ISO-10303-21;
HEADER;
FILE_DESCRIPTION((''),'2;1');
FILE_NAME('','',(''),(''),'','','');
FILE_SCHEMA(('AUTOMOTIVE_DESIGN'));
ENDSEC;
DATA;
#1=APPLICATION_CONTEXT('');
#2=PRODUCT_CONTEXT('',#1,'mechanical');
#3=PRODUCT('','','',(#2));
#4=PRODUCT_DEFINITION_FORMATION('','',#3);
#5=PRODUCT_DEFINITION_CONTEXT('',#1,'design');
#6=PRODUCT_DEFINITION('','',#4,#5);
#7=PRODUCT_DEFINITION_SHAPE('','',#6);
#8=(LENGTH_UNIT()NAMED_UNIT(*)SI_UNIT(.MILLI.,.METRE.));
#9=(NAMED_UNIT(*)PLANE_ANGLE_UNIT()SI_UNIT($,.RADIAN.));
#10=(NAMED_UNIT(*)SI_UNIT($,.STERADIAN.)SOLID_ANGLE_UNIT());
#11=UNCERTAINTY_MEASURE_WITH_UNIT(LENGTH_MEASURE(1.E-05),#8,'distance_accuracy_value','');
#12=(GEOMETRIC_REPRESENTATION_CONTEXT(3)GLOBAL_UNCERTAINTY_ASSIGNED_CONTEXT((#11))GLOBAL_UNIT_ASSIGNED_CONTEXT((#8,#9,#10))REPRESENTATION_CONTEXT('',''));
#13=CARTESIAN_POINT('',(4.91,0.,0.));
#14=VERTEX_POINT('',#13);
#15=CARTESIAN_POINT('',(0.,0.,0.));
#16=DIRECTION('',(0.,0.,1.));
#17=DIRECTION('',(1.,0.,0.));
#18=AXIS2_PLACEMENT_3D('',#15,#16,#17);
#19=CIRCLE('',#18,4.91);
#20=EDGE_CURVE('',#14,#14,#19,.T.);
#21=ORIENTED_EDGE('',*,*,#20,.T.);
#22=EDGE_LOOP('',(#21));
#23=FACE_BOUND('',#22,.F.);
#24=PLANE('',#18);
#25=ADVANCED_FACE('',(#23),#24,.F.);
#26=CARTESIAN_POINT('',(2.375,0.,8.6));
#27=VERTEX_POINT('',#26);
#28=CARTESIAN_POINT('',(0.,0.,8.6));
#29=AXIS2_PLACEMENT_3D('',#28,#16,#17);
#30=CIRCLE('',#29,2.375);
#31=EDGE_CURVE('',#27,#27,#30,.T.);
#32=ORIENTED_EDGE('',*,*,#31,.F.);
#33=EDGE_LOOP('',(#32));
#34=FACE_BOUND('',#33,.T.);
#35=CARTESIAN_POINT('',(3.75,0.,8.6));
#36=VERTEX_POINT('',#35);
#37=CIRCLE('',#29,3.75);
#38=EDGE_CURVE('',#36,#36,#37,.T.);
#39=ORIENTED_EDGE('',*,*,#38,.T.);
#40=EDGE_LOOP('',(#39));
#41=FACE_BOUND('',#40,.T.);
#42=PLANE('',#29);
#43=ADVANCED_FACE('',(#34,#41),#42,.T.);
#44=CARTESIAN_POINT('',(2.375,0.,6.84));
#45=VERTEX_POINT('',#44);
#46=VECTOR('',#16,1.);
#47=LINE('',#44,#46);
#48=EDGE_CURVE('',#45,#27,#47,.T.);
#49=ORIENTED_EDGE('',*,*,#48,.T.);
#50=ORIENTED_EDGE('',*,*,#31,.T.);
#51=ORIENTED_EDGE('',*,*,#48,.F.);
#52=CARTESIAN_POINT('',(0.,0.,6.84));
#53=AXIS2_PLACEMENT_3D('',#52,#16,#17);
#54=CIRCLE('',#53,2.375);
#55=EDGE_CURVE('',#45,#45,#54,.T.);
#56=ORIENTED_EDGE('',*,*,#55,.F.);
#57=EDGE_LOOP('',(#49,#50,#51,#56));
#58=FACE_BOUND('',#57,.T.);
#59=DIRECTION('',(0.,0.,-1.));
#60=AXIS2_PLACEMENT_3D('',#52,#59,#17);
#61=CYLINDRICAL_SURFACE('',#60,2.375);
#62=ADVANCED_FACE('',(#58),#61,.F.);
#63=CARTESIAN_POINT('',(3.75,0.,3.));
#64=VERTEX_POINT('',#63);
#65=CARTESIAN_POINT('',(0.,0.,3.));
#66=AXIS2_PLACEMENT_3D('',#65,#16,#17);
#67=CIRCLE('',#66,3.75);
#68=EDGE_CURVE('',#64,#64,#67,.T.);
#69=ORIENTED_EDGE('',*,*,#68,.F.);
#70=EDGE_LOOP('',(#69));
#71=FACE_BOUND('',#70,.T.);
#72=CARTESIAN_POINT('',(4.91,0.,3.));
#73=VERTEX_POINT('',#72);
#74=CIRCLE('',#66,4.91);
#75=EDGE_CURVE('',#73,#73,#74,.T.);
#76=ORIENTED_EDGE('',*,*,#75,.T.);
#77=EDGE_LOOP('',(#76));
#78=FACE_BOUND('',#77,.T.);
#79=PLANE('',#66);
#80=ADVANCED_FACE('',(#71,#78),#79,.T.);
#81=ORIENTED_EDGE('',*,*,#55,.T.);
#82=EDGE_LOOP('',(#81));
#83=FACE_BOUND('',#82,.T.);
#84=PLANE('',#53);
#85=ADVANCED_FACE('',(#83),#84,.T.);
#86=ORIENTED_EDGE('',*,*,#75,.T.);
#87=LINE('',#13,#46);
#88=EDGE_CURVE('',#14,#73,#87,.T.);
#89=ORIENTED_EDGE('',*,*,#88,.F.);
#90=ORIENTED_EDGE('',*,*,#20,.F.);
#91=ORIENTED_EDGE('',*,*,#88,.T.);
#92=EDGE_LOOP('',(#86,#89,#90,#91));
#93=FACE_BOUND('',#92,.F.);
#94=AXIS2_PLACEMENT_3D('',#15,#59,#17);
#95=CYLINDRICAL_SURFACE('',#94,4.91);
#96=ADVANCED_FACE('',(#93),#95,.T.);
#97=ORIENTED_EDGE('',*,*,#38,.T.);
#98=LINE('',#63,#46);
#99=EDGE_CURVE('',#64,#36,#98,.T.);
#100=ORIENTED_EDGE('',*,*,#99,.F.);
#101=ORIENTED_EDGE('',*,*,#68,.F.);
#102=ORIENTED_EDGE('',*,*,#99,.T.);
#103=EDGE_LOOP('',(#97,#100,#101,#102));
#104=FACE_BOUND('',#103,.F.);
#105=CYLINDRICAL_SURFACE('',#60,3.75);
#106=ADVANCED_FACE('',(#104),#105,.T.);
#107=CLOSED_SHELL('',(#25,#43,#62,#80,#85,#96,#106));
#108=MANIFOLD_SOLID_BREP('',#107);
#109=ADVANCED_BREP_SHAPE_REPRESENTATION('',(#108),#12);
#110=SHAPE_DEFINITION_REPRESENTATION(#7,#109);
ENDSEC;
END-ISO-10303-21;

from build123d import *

# Parameters (mm, degrees)
SKETCH1_R           = 4.91
BOSS_EXTRUDE1_DEPTH = 3
SKETCH4_R           = 3.75
BOSS_EXTRUDE3_DEPTH = 3.84
SKETCH2_R           = 3.75
SKETCH2_R_2         = 2.375
BOSS_EXTRUDE2_DEPTH = 1.76


with BuildPart() as part:
    # Sketch1 → Boss-Extrude1 (new body)
    with BuildSketch(Plane.XY):
        Circle(SKETCH1_R)
    extrude(amount=BOSS_EXTRUDE1_DEPTH)

    # Sketch4 → Boss-Extrude3 (add)
    with BuildSketch(Plane.XY.offset(3)):
        Circle(SKETCH4_R)
    extrude(amount=BOSS_EXTRUDE3_DEPTH)

    # Sketch2 → Boss-Extrude2 (add)
    with BuildSketch(Plane.XY.offset(6.84)):
        Circle(SKETCH2_R)
        Circle(SKETCH2_R_2, mode=Mode.SUBTRACT)
    extrude(amount=BOSS_EXTRUDE2_DEPTH)


solid = part.part
